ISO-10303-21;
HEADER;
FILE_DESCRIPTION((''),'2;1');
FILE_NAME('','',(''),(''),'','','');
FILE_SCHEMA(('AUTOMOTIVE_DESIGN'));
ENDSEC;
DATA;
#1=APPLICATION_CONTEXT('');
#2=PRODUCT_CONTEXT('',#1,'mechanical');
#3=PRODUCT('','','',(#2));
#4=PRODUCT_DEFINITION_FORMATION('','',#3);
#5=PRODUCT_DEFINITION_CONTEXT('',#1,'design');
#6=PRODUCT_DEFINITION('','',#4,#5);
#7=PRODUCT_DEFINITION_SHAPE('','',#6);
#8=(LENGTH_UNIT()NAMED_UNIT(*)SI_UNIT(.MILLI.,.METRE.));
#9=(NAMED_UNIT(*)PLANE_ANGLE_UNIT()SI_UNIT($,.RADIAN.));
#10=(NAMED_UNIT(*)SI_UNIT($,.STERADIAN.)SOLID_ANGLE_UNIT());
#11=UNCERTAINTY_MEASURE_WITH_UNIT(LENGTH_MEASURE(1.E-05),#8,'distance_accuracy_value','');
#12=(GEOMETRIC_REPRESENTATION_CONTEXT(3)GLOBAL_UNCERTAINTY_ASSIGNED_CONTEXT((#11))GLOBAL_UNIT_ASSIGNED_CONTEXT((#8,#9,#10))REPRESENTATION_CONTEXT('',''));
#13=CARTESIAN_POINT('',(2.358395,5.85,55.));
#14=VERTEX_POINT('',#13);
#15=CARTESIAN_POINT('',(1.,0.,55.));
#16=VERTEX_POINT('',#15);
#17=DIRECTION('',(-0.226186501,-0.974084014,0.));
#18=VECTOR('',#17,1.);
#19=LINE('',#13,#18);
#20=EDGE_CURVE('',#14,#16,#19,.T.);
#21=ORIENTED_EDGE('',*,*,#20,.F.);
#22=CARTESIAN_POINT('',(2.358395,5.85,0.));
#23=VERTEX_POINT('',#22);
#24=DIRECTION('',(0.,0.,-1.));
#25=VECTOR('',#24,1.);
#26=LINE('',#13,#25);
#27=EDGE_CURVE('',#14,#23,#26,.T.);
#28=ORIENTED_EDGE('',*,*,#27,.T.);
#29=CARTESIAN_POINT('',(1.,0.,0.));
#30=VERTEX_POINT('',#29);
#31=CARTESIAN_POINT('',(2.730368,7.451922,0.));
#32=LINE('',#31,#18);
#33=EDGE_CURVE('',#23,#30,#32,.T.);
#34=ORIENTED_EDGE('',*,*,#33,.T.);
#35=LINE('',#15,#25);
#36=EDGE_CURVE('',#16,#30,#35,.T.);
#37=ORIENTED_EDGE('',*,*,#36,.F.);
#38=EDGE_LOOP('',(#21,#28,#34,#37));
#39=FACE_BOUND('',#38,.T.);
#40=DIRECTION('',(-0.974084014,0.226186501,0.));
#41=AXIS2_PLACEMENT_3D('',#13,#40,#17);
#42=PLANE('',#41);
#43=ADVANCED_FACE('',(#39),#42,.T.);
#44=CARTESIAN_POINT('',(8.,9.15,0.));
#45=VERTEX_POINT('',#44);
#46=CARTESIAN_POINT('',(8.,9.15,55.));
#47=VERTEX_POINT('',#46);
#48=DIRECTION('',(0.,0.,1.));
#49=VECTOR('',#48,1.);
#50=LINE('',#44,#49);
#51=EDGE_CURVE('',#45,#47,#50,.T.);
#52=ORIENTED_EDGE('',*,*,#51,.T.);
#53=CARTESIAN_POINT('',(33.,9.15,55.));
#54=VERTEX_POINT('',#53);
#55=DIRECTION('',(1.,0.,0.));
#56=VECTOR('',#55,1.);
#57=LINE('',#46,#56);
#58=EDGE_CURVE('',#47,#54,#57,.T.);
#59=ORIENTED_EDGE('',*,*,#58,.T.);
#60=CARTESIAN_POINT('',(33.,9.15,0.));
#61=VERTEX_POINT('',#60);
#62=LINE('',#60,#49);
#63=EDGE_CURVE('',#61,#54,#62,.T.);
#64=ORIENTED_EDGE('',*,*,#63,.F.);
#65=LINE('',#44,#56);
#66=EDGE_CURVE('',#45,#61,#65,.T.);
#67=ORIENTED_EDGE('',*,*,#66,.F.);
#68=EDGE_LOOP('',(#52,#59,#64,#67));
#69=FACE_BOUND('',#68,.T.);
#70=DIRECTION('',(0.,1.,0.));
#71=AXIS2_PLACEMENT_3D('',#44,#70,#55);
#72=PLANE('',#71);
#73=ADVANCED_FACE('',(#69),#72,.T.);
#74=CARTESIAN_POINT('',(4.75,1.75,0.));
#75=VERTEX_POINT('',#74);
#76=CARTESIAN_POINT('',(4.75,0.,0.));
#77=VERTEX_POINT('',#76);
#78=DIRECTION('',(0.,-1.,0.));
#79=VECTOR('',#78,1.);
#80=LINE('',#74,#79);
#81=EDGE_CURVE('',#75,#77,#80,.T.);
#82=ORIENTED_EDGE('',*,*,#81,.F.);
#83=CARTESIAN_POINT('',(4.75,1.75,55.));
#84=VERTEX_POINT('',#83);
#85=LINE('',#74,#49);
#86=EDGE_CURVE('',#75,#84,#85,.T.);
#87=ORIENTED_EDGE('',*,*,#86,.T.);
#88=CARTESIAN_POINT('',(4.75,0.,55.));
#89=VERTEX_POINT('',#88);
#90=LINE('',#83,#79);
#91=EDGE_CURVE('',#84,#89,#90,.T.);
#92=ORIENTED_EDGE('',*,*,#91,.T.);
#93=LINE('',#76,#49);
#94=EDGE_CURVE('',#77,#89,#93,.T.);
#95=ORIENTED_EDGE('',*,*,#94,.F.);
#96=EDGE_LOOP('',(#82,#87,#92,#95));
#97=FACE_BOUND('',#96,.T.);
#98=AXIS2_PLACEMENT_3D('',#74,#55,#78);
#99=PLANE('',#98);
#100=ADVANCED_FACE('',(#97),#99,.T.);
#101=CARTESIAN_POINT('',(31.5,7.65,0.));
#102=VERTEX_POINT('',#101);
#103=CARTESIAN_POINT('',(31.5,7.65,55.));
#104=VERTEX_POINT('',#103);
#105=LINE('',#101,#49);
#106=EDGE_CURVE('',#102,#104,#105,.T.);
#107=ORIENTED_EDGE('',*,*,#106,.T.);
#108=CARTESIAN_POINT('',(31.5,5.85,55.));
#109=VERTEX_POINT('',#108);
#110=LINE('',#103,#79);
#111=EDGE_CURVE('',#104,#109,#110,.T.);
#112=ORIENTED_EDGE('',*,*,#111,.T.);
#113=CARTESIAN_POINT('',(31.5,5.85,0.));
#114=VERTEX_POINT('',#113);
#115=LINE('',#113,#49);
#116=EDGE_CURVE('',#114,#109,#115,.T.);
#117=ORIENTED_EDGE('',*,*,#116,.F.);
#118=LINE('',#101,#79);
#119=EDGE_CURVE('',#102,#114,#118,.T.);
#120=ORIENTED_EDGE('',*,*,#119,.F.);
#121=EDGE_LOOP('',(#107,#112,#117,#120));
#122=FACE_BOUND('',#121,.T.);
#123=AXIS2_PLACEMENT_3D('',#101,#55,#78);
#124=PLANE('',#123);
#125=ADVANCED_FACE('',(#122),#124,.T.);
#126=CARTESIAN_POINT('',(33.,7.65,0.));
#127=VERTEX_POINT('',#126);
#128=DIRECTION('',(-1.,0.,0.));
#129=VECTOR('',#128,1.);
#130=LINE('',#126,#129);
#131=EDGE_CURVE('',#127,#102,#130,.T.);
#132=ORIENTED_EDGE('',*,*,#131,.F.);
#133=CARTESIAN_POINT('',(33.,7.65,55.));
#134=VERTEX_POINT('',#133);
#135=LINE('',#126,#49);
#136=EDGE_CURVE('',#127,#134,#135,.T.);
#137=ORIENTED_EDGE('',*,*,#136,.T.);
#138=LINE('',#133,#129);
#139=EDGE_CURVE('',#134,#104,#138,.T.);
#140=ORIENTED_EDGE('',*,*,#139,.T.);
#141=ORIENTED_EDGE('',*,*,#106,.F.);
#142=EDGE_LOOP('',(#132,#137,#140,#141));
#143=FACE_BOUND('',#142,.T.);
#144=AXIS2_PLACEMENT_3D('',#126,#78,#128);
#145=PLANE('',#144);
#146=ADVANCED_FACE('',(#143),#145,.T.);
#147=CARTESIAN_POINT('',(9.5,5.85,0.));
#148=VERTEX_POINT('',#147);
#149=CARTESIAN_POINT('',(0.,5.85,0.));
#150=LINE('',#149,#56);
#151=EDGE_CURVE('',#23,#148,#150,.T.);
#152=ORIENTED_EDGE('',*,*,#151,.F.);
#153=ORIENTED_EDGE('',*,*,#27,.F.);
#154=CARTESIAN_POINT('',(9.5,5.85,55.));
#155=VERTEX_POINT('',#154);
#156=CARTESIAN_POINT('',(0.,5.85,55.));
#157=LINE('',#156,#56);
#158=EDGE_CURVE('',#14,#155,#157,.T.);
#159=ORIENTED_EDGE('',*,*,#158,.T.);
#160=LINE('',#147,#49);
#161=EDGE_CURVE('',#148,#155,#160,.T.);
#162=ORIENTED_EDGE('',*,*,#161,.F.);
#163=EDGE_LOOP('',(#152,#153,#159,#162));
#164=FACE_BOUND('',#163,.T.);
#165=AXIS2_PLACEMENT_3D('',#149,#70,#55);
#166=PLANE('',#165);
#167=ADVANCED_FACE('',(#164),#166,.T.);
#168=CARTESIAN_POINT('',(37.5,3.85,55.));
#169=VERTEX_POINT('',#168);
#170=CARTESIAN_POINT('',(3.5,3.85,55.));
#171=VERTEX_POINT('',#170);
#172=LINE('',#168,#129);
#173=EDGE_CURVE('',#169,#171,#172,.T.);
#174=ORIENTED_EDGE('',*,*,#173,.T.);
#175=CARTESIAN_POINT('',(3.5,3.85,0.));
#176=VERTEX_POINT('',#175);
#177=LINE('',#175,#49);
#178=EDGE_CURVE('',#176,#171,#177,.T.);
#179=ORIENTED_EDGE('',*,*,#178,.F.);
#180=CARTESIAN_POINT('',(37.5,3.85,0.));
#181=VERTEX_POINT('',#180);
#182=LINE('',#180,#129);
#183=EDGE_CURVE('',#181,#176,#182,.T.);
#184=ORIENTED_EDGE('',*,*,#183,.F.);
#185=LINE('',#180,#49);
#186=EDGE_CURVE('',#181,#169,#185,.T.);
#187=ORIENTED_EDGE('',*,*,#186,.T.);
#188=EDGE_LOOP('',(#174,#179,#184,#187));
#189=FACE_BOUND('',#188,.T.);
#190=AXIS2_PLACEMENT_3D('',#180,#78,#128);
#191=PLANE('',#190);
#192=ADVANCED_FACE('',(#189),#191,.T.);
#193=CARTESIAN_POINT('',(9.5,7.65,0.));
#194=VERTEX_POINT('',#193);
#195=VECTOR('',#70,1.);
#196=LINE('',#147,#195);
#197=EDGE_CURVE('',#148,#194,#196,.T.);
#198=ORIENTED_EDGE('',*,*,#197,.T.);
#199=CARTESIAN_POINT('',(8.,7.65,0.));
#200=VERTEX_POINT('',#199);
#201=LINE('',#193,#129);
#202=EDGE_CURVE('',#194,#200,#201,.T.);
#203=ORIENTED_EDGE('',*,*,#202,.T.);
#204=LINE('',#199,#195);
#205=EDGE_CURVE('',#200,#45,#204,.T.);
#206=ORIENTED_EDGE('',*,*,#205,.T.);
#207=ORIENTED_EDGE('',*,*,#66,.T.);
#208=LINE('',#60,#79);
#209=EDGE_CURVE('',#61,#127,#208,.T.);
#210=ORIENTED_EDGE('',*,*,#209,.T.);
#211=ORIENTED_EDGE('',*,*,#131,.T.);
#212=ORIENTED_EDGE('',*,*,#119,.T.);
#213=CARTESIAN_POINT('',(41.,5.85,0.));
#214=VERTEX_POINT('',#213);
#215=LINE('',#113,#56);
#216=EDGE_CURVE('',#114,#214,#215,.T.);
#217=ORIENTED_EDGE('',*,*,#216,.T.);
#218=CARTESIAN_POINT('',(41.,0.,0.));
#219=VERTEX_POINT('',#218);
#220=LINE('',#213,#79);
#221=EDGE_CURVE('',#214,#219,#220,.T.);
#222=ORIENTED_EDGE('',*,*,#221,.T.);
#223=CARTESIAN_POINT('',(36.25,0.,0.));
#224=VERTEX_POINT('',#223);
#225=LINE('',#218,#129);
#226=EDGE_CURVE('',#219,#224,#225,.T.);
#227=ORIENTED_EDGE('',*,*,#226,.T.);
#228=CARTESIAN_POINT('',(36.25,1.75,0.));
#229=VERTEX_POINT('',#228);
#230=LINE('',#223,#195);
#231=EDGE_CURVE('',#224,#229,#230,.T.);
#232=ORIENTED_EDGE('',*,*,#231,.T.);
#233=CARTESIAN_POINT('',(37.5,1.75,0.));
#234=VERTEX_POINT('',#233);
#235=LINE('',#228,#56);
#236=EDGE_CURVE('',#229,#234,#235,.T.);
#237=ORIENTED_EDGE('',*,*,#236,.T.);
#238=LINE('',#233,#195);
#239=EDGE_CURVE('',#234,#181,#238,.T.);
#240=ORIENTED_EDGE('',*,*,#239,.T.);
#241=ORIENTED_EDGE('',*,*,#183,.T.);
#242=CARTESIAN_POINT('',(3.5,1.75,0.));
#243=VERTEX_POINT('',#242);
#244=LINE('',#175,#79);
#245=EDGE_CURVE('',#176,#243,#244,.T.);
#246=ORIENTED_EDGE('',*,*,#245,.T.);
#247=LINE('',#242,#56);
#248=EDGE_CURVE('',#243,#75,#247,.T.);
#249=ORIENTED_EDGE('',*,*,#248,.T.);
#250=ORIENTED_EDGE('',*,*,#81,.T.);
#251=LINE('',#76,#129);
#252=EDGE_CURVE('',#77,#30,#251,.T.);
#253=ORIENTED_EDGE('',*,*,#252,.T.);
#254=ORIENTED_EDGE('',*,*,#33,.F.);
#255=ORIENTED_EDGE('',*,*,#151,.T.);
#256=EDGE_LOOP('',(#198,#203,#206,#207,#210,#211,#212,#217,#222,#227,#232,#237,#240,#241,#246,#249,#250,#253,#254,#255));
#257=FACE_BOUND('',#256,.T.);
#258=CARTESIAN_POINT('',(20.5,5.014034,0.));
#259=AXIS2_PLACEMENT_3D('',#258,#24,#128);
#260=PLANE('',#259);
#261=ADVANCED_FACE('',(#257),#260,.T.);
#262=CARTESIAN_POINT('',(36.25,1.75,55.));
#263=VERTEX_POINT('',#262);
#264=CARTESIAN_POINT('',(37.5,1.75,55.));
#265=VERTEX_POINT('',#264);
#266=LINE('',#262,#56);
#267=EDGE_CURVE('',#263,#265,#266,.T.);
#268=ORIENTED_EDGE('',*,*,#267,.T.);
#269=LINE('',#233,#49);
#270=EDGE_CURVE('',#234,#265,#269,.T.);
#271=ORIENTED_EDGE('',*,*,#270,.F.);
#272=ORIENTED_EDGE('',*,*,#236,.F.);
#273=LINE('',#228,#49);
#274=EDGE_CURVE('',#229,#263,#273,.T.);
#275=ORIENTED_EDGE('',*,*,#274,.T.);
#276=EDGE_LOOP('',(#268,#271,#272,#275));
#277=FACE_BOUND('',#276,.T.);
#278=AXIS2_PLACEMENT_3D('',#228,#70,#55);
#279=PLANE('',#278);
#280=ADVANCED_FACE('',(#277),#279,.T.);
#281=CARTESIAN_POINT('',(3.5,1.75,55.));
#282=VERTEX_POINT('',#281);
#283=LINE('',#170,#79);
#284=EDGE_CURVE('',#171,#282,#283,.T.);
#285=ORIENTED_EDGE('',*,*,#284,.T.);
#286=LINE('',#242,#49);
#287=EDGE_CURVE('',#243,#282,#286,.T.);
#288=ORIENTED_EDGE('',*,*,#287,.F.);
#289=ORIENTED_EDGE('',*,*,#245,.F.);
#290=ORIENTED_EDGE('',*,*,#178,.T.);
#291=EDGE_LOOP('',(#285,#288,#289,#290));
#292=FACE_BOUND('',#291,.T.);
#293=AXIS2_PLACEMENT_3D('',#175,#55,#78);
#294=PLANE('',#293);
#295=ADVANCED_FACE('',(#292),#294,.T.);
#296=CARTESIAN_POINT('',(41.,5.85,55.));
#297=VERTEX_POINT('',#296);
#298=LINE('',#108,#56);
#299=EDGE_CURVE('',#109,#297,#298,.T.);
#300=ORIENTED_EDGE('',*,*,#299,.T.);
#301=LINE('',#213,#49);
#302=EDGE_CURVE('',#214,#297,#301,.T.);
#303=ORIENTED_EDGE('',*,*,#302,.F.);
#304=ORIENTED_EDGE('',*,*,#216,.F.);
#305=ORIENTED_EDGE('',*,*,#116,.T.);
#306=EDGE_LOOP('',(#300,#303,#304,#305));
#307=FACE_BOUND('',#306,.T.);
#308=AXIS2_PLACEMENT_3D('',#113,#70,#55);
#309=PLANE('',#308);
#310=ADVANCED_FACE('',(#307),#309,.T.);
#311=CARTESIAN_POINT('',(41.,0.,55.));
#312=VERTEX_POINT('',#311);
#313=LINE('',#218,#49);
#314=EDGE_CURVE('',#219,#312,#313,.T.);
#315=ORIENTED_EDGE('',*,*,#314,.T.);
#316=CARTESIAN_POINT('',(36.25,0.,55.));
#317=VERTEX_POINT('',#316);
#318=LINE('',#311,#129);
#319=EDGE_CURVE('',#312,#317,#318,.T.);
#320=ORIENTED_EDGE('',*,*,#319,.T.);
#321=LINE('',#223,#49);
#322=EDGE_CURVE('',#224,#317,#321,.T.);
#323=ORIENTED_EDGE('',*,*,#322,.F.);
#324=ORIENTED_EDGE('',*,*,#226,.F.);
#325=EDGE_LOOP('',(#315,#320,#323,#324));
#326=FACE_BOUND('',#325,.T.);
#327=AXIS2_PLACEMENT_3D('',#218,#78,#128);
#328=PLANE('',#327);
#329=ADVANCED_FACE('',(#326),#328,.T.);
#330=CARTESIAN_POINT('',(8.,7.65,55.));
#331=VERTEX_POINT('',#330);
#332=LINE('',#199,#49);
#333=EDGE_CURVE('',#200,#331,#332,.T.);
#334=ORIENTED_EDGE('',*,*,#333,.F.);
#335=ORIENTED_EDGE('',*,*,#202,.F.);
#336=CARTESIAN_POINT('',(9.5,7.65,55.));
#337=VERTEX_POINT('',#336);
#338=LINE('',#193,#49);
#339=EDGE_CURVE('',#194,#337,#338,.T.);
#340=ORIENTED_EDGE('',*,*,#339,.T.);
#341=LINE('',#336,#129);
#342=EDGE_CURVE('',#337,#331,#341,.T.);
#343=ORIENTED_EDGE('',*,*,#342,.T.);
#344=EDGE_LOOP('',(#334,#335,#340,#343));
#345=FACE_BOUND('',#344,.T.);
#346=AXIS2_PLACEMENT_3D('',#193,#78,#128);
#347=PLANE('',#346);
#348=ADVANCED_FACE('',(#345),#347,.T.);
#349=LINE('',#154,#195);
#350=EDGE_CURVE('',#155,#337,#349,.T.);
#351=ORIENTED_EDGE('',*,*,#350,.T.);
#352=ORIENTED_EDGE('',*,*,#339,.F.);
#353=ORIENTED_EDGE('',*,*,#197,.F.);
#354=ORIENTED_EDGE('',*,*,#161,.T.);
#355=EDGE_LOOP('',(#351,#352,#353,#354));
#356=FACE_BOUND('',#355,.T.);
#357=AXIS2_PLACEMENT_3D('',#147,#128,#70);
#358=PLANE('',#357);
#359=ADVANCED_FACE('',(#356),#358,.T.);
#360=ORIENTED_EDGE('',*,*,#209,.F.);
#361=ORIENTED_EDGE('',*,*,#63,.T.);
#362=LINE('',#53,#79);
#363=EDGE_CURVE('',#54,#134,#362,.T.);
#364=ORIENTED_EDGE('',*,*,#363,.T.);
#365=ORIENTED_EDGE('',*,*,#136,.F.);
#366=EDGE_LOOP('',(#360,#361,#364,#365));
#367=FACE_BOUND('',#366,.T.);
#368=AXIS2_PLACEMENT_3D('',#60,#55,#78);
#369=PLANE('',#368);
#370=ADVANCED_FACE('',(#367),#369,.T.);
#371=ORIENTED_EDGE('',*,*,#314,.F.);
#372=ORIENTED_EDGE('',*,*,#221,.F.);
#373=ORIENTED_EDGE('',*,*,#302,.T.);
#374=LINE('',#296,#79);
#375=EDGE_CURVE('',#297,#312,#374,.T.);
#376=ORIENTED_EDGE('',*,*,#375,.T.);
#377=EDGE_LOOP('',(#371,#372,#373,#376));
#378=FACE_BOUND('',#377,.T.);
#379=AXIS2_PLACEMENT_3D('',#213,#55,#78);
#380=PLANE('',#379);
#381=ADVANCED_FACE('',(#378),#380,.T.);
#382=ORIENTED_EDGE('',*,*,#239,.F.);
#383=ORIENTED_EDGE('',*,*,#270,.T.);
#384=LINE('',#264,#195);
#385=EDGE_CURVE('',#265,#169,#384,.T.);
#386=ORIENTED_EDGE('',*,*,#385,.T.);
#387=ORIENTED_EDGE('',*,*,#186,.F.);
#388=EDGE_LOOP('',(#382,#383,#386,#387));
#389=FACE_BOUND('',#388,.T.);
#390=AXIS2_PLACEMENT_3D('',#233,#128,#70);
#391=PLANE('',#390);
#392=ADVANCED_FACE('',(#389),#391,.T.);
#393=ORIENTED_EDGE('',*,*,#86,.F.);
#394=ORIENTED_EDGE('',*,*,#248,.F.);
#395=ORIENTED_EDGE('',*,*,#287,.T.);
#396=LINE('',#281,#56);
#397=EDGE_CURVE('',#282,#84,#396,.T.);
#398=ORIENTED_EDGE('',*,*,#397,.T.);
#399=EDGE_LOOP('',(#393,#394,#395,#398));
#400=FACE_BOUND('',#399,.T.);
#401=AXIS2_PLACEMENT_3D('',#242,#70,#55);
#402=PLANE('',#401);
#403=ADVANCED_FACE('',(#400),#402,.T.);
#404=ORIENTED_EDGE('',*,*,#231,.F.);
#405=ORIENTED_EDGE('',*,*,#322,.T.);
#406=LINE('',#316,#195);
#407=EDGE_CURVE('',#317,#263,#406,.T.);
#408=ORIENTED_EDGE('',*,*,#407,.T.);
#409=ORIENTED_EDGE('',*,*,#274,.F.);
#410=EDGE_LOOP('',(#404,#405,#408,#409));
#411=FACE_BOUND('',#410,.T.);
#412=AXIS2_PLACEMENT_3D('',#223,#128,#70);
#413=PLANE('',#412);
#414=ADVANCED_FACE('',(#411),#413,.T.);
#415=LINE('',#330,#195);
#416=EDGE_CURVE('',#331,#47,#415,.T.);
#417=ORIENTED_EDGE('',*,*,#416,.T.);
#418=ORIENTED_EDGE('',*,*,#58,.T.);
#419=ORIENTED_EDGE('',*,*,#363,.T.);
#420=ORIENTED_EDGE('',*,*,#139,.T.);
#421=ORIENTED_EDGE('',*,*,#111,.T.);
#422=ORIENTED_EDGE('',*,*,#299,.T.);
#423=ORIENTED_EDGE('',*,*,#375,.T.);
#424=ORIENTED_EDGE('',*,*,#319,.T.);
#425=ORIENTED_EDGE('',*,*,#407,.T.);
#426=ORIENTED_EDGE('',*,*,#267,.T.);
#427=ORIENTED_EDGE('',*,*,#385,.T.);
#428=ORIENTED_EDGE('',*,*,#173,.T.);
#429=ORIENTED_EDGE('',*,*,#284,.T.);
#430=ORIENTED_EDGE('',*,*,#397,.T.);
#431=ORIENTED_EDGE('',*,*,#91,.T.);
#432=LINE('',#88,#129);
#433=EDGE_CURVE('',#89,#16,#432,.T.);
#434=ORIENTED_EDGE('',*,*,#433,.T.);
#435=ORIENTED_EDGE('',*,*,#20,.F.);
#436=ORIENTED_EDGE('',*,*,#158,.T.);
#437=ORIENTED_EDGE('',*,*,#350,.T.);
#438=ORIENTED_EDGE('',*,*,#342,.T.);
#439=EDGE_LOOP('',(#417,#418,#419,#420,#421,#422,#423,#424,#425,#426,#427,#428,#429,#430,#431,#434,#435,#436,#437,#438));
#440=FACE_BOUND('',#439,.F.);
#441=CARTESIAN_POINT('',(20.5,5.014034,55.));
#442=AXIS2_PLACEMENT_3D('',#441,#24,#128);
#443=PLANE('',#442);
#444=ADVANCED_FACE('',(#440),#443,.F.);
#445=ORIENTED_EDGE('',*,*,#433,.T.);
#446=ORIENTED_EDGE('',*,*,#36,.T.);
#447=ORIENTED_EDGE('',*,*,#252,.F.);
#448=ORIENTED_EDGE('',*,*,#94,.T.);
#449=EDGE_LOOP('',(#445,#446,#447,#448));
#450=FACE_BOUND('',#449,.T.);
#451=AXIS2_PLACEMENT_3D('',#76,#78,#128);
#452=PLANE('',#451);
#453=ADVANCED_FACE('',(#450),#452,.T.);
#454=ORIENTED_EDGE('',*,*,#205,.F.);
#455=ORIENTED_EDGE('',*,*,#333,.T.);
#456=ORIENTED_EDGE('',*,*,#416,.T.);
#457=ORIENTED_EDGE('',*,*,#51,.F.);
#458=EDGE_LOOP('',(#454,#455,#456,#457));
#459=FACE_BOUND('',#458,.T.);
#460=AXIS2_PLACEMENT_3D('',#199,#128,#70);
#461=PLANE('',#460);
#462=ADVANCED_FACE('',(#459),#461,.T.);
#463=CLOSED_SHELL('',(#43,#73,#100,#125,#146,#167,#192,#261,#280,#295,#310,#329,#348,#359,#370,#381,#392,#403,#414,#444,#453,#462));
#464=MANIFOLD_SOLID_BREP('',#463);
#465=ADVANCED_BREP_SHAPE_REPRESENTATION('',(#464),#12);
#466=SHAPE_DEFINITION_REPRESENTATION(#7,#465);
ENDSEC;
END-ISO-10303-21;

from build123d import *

# Parameters (mm, degrees)
BOSS_EXTRUDE1_DEPTH = 55
CUT_EXTRUDE2_REACH  = 57


with BuildPart() as part:
    # Sketch2 → Boss-Extrude1 (new body)
    with BuildSketch(Plane.XY):
        Polygon((0, 0), (0, 5.85), (9.5, 5.85), (9.5, 7.65), (8, 7.65), (8, 9.15), (33, 9.15), (33, 7.65), (31.5, 7.65), (31.5, 5.85), (41, 5.85), (41, 0), (36.25, 0), (36.25, 1.75), (37.5, 1.75), (37.5, 3.85), (3.5, 3.85), (3.5, 1.75), (4.75, 1.75), (4.75, 0), align=None)
    extrude(amount=BOSS_EXTRUDE1_DEPTH)

    # Sketch3 → Cut-Extrude2 (cut, up to next)
    with BuildSketch(Plane.XY.offset(55), mode=Mode.PRIVATE) as cut_extrude2_sk1:
        Polygon((1, 0), (0, 0), (0, 5.85), (2.358395181, 5.85), align=None)
    cut_extrude2_tool1 = extrude(cut_extrude2_sk1.sketch, amount=-CUT_EXTRUDE2_REACH, mode=Mode.PRIVATE) & part.part
    add(cut_extrude2_tool1.solids().sort_by_distance((0.885385, 3.319366, 55))[0], mode=Mode.SUBTRACT)


solid = part.part
